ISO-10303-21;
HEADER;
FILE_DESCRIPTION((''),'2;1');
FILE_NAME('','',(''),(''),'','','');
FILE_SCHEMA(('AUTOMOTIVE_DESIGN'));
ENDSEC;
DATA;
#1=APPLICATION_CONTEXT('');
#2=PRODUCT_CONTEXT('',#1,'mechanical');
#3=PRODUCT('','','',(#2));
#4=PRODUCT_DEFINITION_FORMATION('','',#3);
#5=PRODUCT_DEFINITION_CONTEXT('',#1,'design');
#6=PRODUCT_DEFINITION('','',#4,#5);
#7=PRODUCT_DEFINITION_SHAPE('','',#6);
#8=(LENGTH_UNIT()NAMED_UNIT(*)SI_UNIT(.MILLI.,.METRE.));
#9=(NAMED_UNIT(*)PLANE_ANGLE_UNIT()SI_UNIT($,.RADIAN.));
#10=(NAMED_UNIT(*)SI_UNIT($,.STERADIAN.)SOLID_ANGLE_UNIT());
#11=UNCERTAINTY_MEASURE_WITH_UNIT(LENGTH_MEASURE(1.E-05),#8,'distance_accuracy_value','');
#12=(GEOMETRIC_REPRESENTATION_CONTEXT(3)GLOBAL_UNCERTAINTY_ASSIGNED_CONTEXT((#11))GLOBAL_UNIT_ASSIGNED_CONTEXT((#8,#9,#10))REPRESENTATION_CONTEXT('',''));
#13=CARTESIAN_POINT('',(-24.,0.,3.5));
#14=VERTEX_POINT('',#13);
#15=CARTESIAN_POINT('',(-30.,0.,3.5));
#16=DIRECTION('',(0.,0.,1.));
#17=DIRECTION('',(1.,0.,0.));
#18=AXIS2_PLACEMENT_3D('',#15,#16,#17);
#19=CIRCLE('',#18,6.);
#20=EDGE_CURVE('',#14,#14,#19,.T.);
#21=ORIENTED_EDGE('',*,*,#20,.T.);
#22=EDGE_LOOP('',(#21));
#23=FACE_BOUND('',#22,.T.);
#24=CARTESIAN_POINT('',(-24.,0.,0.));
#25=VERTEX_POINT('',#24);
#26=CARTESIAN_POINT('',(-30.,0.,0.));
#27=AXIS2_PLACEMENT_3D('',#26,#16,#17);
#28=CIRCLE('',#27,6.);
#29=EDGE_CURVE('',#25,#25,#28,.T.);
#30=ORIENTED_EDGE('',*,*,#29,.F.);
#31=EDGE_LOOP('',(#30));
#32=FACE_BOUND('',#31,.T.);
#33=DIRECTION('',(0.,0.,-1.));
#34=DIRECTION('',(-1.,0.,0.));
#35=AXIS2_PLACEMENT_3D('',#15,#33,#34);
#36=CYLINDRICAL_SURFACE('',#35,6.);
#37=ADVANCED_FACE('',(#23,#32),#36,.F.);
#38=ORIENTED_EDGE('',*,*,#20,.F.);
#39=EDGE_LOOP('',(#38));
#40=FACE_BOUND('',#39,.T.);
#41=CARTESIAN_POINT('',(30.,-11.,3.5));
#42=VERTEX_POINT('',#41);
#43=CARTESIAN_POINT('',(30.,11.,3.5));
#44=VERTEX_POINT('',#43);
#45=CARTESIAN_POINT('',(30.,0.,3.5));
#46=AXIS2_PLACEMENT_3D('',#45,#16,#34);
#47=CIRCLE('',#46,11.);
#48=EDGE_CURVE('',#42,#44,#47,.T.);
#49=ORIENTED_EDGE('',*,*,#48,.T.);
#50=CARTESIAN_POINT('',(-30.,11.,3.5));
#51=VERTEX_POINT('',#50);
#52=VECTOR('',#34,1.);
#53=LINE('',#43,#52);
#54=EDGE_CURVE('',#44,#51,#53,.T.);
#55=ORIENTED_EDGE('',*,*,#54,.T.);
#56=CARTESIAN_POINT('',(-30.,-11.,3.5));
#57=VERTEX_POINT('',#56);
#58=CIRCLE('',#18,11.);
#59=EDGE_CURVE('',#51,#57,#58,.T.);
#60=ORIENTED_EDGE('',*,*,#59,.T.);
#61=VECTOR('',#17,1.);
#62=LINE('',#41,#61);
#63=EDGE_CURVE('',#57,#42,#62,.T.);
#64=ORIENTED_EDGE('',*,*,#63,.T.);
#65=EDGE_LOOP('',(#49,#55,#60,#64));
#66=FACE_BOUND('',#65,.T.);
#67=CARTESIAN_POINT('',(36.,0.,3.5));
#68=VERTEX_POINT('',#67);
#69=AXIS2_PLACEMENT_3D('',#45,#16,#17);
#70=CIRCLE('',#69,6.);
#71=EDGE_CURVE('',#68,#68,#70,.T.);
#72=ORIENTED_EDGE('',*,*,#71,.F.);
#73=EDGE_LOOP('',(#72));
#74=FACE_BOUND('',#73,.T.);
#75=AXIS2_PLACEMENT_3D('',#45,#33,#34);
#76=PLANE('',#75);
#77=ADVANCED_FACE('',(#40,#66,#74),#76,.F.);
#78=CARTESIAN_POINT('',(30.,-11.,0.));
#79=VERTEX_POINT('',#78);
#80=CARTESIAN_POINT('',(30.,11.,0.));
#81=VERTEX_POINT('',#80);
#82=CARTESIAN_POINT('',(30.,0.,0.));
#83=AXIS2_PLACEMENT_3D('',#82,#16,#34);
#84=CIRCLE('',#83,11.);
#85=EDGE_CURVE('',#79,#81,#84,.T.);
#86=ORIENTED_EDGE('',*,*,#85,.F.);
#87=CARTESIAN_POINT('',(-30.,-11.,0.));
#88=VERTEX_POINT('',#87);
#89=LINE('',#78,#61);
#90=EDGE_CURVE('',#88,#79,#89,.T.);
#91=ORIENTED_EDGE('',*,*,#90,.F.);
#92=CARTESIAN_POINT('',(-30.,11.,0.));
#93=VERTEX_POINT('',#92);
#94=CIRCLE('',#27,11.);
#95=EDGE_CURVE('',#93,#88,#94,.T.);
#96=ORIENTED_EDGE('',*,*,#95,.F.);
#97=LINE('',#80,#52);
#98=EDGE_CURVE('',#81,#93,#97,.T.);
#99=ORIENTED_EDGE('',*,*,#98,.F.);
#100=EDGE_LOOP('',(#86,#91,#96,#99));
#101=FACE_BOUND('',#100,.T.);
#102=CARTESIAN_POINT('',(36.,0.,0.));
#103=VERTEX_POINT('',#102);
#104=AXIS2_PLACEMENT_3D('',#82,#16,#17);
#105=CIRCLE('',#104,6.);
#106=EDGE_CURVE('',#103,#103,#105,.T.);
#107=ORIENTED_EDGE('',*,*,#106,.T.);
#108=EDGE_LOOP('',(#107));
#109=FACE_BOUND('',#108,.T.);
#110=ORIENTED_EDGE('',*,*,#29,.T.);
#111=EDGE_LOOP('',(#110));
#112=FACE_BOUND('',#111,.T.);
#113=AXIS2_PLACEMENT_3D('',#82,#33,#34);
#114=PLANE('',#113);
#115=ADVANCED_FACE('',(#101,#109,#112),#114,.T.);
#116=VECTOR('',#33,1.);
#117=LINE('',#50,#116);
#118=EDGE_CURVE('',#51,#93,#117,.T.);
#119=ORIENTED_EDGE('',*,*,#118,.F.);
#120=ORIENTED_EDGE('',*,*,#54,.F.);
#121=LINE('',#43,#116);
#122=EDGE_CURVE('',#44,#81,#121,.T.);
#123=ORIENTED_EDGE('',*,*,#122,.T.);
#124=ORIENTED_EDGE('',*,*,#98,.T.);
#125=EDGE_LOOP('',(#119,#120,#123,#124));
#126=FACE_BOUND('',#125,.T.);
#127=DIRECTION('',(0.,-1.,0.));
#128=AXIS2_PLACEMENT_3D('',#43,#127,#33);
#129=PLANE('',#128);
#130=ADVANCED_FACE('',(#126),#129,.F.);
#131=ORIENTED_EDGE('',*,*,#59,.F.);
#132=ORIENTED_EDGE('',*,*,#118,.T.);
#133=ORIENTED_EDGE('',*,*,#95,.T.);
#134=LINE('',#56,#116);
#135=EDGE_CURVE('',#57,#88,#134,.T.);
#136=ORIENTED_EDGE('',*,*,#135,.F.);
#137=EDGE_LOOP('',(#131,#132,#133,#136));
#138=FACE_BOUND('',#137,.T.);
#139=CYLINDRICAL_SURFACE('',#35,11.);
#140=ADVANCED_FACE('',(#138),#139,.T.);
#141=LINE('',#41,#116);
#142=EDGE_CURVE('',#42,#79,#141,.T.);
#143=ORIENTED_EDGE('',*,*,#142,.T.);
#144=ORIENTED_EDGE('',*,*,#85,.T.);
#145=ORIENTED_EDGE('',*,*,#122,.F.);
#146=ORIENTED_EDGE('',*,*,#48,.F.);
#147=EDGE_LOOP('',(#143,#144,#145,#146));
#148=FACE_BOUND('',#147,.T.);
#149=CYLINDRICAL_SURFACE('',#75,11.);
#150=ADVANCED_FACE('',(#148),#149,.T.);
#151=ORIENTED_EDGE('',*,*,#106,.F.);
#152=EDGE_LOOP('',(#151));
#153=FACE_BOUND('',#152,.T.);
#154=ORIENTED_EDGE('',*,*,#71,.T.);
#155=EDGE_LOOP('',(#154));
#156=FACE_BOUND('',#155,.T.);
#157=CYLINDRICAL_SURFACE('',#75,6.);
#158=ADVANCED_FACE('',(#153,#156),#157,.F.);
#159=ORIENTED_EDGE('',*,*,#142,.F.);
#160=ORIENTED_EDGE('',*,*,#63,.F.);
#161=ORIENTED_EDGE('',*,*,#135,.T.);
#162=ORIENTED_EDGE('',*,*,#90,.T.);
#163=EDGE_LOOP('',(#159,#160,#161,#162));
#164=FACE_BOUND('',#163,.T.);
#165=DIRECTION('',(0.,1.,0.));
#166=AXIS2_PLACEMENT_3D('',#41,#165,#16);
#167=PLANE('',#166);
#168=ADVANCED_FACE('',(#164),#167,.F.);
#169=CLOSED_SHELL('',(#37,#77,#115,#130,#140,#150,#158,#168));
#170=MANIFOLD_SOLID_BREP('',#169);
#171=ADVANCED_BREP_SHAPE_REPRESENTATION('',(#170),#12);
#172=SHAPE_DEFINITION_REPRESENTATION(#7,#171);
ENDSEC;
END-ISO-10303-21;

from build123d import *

# Parameters (mm, degrees)
SKETCH_1_R      = 6
EXTRUDE_1_DEPTH = 3.5


with BuildPart() as part:
    # 草图1 → 凸台-拉伸1 (new body)
    with BuildSketch(Plane.XY):
        with BuildLine():
            Line((30, 11), (-30, 11))
            ThreePointArc((-30, 11), (-41, 0), (-30, -11))
            Line((-30, -11), (30, -11))
            ThreePointArc((30, -11), (41, 0), (30, 11))
        make_face()
        with Locations((30, 0)):
            Circle(SKETCH_1_R, mode=Mode.SUBTRACT)
        with Locations((-30, 0)):
            Circle(SKETCH_1_R, mode=Mode.SUBTRACT)
    extrude(amount=EXTRUDE_1_DEPTH)


solid = part.part
